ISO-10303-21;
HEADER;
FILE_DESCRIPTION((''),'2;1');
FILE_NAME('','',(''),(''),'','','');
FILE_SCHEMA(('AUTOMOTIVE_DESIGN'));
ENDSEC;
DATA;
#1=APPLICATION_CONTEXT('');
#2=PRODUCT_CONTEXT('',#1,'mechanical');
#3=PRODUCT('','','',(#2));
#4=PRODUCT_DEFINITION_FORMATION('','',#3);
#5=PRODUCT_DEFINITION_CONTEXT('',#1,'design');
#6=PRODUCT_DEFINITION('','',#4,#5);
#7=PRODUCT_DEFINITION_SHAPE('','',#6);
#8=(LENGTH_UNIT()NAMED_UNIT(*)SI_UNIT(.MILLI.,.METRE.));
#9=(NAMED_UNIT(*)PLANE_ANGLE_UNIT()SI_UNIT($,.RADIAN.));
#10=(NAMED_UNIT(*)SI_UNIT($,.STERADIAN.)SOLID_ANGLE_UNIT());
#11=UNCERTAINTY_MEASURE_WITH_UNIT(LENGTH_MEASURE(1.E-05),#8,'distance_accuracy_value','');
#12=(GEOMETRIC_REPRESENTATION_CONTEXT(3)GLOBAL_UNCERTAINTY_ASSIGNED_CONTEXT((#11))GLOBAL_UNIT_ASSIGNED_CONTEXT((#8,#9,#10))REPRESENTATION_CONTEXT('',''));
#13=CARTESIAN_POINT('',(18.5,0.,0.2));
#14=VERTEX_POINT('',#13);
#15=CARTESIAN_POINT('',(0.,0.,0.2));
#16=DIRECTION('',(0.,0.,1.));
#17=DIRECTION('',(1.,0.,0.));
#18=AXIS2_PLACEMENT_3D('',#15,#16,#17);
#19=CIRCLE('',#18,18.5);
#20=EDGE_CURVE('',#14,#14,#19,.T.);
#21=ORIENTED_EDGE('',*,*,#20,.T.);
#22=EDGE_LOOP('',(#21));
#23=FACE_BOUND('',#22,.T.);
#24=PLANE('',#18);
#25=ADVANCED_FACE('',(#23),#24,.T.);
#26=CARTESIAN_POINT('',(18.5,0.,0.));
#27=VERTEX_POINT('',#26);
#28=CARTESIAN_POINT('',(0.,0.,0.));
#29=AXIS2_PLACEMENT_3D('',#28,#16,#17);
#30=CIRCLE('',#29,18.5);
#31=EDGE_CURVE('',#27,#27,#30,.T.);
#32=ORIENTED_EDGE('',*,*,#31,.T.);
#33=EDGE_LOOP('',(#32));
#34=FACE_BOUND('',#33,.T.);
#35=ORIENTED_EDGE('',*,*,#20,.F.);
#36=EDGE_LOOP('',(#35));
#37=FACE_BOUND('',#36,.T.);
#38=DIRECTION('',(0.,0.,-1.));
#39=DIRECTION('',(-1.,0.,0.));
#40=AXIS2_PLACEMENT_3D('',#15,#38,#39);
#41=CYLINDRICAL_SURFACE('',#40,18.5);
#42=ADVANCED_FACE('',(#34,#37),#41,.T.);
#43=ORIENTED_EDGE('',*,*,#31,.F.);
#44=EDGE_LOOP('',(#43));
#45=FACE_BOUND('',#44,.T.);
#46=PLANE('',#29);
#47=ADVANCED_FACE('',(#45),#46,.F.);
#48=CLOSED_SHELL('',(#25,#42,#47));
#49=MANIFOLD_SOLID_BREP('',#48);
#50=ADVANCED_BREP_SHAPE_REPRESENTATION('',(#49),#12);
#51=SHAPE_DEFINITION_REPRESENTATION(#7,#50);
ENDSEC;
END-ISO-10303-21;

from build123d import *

# Parameters (mm, degrees)
SKETCH_1_R      = 18.5
EXTRUDE_1_DEPTH = 0.2


with BuildPart() as part:
    # Эскиз1 → Бобышка-Вытянуть1 (new body)
    with BuildSketch(Plane.XY):
        Circle(SKETCH_1_R)
    extrude(amount=EXTRUDE_1_DEPTH)


solid = part.part
